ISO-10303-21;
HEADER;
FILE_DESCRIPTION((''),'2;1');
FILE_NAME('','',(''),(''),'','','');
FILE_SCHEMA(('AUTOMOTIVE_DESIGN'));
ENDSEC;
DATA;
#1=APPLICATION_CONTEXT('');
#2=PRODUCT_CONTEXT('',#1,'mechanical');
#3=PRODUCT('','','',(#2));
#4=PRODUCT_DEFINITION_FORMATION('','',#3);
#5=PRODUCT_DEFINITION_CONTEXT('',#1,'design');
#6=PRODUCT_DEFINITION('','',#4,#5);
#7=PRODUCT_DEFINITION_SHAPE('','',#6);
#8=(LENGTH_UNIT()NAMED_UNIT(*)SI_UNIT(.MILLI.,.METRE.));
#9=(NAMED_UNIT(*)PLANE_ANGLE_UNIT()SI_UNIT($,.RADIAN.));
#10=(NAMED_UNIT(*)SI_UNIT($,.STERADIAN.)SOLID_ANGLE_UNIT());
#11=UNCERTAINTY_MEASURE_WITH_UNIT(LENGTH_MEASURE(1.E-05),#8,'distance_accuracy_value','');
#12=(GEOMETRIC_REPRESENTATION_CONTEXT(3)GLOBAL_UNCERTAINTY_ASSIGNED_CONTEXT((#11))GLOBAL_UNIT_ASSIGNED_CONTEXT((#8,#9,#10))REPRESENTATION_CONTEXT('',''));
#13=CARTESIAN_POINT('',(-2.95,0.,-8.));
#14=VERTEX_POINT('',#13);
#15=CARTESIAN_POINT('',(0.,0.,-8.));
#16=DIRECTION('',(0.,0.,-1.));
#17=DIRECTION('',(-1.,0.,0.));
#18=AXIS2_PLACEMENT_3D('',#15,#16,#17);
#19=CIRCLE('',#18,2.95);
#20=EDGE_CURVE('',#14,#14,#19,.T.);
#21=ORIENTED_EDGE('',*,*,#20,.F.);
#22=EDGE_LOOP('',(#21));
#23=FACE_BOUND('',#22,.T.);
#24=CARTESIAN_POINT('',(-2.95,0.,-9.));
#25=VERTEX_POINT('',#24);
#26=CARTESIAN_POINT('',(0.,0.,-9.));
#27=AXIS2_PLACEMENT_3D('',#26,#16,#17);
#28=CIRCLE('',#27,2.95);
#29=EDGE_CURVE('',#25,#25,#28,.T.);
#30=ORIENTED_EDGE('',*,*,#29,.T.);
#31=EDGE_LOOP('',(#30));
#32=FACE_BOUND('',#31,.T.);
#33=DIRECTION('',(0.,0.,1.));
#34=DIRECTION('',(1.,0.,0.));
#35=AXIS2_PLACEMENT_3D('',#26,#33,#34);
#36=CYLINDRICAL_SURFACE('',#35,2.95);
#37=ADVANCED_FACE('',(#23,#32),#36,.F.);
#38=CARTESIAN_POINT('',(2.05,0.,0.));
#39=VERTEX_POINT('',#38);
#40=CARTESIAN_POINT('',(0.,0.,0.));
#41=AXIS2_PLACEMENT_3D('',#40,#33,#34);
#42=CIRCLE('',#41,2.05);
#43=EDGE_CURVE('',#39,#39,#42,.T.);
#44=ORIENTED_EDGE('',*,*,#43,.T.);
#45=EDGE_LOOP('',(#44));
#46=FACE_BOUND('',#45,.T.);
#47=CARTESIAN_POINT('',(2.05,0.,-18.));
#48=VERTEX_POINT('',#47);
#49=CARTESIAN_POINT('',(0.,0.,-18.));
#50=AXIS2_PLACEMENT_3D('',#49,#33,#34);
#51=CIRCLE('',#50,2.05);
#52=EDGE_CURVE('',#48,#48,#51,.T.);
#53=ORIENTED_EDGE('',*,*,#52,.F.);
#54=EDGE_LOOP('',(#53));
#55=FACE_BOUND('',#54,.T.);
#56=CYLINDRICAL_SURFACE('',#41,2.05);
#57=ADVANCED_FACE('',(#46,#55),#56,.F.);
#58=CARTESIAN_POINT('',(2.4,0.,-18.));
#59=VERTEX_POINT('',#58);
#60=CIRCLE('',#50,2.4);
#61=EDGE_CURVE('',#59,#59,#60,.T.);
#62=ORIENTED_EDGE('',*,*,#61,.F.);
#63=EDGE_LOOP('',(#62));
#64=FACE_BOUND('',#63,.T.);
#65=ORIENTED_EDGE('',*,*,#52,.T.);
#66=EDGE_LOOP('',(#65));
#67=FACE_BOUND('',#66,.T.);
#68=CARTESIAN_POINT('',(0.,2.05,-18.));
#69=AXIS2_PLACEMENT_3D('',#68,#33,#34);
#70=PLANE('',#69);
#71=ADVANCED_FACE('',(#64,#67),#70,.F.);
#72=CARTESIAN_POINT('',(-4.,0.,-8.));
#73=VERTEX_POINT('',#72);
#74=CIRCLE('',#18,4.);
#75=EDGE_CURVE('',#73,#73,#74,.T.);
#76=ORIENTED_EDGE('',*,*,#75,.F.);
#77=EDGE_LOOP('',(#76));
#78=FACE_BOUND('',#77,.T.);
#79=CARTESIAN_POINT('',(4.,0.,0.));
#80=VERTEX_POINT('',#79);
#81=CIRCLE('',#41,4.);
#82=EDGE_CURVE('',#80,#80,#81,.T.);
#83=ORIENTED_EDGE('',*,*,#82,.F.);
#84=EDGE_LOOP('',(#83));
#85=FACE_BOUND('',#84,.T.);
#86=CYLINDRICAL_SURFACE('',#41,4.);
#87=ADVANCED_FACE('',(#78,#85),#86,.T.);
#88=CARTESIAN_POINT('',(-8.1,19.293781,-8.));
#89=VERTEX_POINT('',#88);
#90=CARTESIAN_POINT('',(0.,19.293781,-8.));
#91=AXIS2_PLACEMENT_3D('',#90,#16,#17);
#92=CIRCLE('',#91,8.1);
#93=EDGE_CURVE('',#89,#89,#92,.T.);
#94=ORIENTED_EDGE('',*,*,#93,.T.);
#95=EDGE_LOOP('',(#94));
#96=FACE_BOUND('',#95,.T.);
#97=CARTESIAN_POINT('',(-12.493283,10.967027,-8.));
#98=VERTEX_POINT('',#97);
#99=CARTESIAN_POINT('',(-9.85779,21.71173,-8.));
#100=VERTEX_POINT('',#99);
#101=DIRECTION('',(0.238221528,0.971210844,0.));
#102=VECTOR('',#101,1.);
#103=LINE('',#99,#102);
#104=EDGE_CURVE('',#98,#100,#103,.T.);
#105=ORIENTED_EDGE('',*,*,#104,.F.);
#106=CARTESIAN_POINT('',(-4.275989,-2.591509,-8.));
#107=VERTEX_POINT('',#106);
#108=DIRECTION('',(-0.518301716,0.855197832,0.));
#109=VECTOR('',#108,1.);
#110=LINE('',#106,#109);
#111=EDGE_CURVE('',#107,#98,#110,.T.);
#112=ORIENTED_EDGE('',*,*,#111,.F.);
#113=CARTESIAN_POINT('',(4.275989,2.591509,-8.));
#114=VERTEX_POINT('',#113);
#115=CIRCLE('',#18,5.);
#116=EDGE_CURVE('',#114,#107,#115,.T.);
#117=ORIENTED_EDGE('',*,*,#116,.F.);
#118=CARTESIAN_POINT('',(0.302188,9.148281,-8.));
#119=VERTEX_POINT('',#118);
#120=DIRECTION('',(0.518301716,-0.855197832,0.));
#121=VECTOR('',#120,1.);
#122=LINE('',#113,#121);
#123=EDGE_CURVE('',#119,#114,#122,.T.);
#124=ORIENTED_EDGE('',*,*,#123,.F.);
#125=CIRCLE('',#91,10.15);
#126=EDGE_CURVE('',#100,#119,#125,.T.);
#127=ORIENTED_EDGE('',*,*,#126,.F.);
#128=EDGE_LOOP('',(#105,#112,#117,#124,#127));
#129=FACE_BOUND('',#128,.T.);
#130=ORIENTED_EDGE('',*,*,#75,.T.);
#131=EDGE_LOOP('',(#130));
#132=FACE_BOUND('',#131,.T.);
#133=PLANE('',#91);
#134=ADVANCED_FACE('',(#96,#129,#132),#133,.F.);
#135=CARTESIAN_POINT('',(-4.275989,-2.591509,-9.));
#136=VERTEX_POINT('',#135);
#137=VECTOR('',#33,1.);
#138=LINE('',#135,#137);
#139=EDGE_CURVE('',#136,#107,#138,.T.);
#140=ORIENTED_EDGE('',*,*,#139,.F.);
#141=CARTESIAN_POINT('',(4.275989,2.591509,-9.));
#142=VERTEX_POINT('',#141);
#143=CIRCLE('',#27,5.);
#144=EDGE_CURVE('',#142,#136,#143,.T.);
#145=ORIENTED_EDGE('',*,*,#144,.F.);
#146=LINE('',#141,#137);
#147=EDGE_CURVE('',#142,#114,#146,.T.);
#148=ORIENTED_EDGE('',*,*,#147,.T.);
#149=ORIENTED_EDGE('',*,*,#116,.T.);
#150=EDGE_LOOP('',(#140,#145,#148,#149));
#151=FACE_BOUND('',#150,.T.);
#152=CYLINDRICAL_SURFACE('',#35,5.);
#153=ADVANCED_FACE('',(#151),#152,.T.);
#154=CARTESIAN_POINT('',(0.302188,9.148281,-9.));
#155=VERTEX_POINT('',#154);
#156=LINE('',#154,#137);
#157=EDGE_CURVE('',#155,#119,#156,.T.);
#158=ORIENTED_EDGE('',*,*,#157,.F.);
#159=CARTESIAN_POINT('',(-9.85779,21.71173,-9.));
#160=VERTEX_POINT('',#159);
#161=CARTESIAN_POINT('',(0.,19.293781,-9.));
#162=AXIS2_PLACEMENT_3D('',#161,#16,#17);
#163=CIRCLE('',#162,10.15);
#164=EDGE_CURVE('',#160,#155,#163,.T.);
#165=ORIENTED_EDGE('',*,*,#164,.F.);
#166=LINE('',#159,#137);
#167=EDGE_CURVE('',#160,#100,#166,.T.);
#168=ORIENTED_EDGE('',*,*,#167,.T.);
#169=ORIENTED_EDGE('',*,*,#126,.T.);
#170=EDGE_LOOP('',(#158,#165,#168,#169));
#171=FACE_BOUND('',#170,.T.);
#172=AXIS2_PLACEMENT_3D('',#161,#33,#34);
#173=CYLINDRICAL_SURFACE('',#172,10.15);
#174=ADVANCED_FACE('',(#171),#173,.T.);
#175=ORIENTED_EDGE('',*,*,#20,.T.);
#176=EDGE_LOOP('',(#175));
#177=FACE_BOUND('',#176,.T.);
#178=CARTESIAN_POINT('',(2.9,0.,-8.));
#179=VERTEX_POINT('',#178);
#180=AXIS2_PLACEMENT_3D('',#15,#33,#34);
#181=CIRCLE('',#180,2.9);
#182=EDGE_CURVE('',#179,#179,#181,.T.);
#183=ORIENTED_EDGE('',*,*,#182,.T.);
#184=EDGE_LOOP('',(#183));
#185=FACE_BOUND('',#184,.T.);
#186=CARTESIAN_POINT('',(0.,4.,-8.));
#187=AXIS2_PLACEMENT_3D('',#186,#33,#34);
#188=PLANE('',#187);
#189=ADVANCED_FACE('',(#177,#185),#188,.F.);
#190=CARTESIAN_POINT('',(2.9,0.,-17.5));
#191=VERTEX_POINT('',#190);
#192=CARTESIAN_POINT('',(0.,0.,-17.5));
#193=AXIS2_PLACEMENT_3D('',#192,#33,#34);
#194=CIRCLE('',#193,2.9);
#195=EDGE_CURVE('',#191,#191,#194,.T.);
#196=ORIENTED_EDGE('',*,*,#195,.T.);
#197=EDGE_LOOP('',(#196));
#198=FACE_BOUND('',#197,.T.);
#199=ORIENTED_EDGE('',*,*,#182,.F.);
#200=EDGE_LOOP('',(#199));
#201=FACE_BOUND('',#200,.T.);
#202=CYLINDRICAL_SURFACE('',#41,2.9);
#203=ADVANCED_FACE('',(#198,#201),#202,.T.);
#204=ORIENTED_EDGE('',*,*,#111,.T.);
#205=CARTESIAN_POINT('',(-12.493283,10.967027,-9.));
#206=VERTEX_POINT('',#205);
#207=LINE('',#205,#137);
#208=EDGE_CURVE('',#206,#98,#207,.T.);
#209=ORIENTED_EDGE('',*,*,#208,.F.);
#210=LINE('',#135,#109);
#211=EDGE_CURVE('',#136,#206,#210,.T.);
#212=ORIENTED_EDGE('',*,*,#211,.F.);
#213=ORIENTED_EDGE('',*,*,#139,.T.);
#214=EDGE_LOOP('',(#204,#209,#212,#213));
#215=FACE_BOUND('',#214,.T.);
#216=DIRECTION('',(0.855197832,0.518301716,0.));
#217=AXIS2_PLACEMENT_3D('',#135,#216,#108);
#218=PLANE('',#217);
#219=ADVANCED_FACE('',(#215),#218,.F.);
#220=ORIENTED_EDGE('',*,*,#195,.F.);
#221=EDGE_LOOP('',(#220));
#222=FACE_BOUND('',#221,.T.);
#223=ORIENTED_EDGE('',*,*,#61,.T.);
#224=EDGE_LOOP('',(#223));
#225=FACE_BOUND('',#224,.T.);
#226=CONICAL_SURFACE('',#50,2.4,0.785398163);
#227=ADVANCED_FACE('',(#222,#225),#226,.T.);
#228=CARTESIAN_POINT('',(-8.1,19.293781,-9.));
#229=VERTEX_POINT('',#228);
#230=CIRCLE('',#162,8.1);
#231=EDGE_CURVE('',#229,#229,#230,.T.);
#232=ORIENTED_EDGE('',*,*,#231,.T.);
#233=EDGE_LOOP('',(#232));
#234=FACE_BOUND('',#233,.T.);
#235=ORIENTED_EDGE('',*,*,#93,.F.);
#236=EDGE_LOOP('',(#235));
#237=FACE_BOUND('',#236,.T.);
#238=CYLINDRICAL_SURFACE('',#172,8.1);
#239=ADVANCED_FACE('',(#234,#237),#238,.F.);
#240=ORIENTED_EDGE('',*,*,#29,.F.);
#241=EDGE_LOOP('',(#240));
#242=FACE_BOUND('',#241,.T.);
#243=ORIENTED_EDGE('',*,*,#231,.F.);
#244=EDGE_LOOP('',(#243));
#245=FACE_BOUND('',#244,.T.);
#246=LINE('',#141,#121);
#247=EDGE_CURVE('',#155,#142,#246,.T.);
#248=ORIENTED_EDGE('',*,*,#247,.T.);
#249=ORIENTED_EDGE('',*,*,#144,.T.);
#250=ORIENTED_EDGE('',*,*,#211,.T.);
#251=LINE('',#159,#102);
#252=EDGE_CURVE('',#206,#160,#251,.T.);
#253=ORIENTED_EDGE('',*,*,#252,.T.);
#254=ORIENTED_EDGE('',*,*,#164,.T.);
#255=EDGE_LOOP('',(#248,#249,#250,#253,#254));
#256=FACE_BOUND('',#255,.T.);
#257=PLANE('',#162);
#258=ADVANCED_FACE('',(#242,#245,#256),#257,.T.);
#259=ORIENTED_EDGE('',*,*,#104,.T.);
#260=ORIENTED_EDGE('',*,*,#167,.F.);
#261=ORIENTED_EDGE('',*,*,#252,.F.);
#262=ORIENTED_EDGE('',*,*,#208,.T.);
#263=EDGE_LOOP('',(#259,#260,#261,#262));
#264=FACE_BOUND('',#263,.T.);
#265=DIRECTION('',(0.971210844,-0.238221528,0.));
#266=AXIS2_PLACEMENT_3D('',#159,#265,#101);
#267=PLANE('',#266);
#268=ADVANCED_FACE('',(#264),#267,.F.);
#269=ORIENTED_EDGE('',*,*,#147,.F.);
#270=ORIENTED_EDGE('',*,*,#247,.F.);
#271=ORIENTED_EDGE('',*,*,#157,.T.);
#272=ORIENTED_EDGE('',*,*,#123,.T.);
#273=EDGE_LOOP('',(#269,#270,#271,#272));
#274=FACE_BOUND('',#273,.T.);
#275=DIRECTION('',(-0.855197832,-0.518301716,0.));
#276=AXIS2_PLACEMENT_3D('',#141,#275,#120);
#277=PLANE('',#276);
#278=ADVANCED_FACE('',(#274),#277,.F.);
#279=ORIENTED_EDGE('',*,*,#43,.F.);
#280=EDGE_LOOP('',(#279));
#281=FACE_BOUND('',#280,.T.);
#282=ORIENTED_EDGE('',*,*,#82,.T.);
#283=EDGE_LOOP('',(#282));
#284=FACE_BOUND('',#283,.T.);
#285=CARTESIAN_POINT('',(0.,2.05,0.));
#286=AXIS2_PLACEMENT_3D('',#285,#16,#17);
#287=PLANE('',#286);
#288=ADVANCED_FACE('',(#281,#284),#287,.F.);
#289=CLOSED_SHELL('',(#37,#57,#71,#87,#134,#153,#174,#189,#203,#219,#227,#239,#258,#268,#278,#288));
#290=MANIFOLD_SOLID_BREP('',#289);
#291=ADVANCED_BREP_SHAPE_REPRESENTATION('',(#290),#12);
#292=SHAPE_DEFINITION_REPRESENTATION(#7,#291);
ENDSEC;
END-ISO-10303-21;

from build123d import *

# Parameters (mm, degrees)
SKETCH2_R           = 2.95
SKETCH2_R_2         = 8.099999999
BOSS_EXTRUDE1_DEPTH = 1


with BuildPart() as part:
    # Sketch1 → Revolve1 (revolve)
    with BuildSketch(Plane(origin=(0, 0, 0), x_dir=(0, 0, -1), z_dir=(1, 0, 0))):
        Polygon((18, 2.05), (18, 2.4), (17.5, 2.9), (8, 2.9), (8, 4), (0, 4), (0, 2.05), align=None)
    revolve(axis=Axis((0, 0, 0), (0, 0, -1)))

    # Sketch2 → Boss-Extrude1 (add)
    with BuildSketch(Plane(origin=(0, 0, -8), x_dir=(-1, 0, 0), z_dir=(0, 0, -1))):
        with BuildLine():
            Line((9.857790067, 21.711729889), (12.493283293, 10.967026744))
            Line((12.493283293, 10.967026744), (4.275989158, -2.59150858))
            ThreePointArc((4.275989158, -2.59150858), (-2.59150858, -4.275989158), (-4.275989158, 2.59150858))
            Line((-4.275989158, 2.59150858), (-0.302187827, 9.148280777))
            ThreePointArc((-0.302187827, 9.148280777), (-7.892239666, 25.676183207), (9.857790067, 21.711729889))
        make_face()
        Circle(SKETCH2_R, mode=Mode.SUBTRACT)
        with Locations((0, 19.293781382)):
            Circle(SKETCH2_R_2, mode=Mode.SUBTRACT)
    extrude(amount=BOSS_EXTRUDE1_DEPTH)


solid = part.part
